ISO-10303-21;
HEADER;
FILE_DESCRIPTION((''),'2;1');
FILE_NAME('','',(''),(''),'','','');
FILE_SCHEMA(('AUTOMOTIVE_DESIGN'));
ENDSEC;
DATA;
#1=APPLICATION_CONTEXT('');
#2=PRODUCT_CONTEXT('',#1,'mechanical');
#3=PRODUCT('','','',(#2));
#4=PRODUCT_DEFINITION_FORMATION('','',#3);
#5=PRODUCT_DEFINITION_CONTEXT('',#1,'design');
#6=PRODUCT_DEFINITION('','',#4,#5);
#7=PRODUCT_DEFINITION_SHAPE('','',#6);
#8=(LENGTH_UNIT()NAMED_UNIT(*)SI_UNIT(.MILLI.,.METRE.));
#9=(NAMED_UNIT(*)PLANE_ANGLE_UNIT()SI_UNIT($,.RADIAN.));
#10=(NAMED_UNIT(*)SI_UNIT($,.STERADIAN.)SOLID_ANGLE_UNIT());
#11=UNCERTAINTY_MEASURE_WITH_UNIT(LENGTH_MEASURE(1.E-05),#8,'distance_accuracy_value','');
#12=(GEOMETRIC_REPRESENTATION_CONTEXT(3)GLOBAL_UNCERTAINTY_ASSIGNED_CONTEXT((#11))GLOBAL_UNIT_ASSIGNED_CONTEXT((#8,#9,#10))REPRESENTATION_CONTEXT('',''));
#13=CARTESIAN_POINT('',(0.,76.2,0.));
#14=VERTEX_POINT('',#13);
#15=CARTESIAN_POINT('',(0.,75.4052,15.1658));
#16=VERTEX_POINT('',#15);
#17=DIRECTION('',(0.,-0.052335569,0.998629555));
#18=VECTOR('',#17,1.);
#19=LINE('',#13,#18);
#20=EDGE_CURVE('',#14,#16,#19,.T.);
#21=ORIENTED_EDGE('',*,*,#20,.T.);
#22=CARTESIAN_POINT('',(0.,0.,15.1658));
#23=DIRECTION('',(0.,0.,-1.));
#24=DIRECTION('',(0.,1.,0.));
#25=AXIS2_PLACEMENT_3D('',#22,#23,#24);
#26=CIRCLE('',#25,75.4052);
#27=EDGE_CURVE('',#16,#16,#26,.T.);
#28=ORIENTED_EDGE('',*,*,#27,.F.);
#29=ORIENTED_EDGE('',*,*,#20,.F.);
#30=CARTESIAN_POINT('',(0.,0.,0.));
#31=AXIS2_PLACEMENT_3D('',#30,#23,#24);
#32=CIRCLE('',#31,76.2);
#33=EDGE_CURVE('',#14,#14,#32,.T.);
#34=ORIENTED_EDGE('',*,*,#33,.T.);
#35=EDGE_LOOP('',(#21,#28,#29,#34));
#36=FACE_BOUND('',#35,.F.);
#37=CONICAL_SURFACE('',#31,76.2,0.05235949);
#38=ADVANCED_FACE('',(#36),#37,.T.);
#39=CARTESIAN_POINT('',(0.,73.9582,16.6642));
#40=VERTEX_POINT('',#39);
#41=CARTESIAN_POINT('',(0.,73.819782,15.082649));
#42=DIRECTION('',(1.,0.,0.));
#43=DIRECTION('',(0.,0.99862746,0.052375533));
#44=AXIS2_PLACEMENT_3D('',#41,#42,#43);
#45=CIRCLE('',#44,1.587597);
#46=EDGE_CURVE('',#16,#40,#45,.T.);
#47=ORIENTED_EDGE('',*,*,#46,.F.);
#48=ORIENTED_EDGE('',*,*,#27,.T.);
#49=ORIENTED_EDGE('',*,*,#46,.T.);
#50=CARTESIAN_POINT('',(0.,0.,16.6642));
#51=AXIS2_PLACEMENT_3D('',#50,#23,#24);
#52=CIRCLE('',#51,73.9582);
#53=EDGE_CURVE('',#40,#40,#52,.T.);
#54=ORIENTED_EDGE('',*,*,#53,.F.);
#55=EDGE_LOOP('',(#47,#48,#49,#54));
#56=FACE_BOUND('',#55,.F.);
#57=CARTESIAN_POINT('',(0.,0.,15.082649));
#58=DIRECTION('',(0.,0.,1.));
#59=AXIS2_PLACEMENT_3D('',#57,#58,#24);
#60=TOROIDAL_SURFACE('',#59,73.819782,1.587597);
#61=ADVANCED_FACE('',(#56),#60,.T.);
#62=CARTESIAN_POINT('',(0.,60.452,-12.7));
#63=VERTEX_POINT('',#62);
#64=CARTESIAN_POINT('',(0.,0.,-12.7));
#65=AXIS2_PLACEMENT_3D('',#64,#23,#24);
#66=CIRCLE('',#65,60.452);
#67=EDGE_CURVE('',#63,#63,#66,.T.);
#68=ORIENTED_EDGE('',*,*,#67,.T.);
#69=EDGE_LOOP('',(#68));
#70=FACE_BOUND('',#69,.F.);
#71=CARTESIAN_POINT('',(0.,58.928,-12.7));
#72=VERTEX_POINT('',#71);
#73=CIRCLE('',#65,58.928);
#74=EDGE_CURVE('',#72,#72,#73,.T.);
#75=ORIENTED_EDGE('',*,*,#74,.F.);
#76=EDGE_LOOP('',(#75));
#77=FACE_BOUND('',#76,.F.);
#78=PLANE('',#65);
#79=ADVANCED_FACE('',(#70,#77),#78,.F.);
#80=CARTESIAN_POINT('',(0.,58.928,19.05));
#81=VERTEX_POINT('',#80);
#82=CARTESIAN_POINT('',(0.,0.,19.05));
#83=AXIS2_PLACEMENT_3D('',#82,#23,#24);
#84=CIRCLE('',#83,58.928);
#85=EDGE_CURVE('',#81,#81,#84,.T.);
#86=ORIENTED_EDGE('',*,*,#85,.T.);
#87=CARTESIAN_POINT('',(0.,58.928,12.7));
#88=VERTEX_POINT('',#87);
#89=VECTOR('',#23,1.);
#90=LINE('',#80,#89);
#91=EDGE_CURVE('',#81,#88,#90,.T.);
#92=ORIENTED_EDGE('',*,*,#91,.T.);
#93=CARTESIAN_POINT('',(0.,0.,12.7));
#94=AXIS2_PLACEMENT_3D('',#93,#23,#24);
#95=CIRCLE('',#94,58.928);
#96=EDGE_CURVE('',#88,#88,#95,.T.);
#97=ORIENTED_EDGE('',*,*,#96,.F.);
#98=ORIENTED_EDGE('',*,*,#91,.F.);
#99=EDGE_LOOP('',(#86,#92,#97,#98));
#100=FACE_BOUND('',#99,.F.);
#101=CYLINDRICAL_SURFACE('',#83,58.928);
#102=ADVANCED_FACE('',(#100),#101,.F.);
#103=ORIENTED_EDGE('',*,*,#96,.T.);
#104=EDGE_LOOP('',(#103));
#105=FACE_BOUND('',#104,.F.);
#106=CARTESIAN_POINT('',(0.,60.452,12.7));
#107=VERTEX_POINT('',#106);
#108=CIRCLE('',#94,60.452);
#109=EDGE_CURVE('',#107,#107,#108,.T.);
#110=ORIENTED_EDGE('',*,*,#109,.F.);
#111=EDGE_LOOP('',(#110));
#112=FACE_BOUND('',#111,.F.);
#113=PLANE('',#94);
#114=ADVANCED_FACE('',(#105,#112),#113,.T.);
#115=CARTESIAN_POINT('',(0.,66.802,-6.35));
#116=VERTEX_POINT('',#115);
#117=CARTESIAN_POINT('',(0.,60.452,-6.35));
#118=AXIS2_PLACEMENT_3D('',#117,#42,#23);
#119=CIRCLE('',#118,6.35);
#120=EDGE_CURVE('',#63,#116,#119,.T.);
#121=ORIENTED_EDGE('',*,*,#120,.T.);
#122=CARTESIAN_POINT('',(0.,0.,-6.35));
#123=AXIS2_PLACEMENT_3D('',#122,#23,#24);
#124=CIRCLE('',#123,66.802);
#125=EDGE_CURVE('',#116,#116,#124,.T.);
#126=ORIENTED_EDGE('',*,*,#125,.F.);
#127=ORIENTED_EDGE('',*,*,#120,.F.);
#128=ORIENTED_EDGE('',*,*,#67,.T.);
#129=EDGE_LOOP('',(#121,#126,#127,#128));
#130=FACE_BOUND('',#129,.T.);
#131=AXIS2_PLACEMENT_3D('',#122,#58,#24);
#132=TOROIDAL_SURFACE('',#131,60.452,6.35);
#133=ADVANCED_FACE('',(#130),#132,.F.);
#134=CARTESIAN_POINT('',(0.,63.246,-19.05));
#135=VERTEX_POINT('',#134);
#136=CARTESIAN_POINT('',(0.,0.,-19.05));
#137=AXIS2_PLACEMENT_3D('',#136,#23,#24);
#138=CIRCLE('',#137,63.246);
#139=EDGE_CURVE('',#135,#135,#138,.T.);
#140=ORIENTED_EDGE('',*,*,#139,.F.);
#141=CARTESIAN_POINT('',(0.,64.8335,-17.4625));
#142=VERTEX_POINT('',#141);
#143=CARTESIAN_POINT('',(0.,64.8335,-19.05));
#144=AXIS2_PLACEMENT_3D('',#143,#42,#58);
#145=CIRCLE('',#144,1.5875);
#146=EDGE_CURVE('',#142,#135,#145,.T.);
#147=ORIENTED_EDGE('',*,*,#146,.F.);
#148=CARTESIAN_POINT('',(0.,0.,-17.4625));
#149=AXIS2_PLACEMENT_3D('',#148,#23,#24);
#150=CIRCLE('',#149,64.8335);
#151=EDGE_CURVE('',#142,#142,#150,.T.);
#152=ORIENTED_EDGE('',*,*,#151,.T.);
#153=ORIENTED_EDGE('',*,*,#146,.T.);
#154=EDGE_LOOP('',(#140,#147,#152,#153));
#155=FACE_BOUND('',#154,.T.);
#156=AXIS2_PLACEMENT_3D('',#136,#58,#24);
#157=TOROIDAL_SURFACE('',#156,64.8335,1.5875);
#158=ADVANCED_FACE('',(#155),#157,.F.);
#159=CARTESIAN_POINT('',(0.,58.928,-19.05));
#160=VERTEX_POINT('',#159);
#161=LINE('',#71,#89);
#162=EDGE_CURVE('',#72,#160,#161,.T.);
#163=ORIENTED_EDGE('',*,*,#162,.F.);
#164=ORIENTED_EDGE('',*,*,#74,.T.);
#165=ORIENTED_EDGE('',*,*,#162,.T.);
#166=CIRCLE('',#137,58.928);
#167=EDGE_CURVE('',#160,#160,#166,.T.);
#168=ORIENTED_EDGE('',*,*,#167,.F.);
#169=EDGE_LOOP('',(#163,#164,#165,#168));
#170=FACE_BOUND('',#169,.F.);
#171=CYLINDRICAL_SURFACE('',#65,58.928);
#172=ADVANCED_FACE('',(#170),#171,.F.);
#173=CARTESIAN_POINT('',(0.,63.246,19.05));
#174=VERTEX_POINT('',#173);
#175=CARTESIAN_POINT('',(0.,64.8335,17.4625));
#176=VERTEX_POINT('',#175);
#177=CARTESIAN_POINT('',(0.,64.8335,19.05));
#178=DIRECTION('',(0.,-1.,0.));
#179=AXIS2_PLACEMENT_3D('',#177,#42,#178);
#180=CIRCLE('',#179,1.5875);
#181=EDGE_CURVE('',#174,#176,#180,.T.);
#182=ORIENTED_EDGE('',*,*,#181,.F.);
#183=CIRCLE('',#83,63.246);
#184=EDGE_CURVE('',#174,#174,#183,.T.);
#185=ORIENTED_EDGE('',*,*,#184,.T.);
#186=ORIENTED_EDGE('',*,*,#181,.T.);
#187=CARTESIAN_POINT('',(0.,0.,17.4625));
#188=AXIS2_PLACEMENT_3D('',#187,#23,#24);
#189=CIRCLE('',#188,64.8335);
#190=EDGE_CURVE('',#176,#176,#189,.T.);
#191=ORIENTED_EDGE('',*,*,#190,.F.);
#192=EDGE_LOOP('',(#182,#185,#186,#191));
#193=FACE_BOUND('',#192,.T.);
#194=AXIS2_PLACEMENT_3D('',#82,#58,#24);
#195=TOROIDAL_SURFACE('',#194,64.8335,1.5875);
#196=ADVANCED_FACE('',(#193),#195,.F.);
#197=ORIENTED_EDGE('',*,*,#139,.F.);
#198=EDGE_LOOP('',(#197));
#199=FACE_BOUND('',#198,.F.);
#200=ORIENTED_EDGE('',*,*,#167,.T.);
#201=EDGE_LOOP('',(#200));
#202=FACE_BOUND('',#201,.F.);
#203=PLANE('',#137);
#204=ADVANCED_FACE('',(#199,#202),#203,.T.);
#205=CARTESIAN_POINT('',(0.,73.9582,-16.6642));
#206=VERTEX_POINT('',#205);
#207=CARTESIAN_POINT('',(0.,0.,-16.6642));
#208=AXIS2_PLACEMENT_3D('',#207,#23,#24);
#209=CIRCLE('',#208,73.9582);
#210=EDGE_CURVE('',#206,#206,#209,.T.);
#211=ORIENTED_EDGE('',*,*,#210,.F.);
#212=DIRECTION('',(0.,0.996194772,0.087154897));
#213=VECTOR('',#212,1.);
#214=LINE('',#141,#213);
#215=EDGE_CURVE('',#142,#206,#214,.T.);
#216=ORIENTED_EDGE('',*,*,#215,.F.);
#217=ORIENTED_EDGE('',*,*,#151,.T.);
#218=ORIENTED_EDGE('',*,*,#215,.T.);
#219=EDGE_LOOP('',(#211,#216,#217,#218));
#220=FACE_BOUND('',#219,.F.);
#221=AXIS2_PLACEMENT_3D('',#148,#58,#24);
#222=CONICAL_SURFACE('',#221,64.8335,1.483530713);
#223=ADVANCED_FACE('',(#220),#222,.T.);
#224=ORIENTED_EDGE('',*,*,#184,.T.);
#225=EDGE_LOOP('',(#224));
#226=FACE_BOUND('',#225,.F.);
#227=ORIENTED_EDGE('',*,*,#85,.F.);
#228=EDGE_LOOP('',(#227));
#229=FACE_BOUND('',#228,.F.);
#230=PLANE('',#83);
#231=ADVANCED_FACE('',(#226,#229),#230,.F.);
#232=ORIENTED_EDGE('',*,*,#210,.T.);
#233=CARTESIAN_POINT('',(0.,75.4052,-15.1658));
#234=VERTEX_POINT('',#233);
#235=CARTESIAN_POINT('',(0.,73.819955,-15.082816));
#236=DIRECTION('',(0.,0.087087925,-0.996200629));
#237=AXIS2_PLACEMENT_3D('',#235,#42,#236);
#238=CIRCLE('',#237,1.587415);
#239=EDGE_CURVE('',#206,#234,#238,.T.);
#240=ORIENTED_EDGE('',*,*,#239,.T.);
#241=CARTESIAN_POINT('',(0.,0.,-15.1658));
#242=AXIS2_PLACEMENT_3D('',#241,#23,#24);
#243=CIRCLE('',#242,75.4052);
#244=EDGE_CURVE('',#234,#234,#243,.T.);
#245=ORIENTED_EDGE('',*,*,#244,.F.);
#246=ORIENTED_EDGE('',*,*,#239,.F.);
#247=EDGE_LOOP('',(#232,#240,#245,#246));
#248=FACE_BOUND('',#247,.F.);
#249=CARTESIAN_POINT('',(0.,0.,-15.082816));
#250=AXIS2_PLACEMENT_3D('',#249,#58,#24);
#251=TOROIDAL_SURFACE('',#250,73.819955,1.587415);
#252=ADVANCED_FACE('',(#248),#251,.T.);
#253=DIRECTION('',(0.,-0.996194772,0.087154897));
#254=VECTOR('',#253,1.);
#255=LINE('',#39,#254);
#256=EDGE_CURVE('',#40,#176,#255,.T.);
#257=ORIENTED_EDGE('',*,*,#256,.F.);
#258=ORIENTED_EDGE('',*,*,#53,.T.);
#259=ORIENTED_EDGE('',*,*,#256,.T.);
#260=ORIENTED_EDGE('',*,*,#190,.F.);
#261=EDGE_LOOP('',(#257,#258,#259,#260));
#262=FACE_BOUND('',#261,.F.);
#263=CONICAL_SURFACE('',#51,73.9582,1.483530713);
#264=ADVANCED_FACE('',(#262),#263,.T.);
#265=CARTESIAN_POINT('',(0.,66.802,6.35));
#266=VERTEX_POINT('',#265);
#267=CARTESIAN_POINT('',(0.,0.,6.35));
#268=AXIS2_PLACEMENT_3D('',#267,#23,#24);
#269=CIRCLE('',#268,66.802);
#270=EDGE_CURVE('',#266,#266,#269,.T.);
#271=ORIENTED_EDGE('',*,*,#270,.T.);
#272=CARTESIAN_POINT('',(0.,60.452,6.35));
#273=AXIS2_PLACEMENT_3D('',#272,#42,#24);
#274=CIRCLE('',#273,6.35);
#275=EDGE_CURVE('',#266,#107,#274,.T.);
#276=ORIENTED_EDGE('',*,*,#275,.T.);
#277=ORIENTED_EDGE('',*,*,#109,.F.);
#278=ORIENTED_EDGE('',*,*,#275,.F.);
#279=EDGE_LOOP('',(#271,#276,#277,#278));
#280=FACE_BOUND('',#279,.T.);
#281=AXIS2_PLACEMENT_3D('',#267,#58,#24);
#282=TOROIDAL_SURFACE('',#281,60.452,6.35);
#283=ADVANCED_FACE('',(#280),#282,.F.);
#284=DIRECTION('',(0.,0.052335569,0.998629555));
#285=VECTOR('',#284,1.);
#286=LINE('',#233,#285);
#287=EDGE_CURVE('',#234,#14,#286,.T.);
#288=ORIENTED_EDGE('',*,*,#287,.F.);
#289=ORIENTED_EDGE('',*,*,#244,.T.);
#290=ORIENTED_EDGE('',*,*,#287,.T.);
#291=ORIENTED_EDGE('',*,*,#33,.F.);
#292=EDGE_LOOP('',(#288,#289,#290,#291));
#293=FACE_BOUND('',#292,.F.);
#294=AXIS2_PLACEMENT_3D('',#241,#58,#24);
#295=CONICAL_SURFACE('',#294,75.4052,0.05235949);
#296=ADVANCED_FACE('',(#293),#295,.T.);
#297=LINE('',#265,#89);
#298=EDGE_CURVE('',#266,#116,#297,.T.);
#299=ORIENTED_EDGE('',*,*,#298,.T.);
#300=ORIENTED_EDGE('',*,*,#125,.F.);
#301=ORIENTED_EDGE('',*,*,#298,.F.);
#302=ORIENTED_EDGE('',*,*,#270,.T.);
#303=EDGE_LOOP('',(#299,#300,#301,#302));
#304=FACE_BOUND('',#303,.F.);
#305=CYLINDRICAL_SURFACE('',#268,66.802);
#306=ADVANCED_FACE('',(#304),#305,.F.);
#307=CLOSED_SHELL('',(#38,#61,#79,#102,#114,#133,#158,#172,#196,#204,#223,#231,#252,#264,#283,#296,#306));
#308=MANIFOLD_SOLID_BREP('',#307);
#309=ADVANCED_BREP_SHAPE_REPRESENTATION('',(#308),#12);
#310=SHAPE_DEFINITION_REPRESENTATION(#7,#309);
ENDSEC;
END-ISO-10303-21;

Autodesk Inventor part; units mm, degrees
sketch "Sketch_8" plane through (0, 0, 0) normal (1, 0, 0) x (0, 1, 0)
  line L0 (0, -19.05) -> (0, 19.05)
  line L1 (58.928, 19.05) -> (58.928, 12.7)
  line L2 (58.928, 12.7) -> (60.452, 12.7)
  arc A0 (66.802, 6.35) -> (60.452, 12.7) centre (60.452, 6.35) ccw
  line L3 (66.802, 6.35) -> (66.802, -6.35)
  arc A1 (60.452, -12.7) -> (66.802, -6.35) centre (60.452, -6.35) ccw
  line L4 (60.452, -12.7) -> (58.928, -12.7)
  line L5 (58.928, -12.7) -> (58.928, -19.05)
  line L6 (58.928, -19.05) -> (63.246, -19.05)
  arc A2 (64.8335, -17.4625) -> (63.246, -19.05) centre (64.8335, -19.05) ccw
  line L7 (64.8335, -17.4625) -> (73.9582, -16.6642)
  arc A3 (73.9582, -16.6642) -> (75.4052, -15.1658) centre (73.8199, -15.0827) ccw
  line L8 (75.4052, -15.1658) -> (76.2, 0)
  line L9 (76.2, 0) -> (75.4052, 15.1658)
  arc A4 (75.4052, 15.1658) -> (73.9582, 16.6642) centre (73.8199, 15.0827) ccw
  line L10 (73.9582, 16.6642) -> (64.8335, 17.4625)
  arc A5 (63.246, 19.05) -> (64.8335, 17.4625) centre (64.8335, 19.05) ccw
  line L11 (63.246, 19.05) -> (58.928, 19.05)
revolve "Revolution1" add sketch "Sketch_8" angle 360 about axis through (0, 0, -19.05) along (0, 0, -1)
ref_plane "thread_XY" through (0, 0, 0) normal (0, 0, 1) x (1, 0, 0)
ref_plane "thread_YZ" through (0, 0, 0) normal (1, 0, 0) x (0, 1, 0)
ref_plane "thread_ZX" through (0, 0, 0) normal (0, 1, 0) x (0, 0, 1)
properties part number "3.00006.4411 1/2 (T)"
